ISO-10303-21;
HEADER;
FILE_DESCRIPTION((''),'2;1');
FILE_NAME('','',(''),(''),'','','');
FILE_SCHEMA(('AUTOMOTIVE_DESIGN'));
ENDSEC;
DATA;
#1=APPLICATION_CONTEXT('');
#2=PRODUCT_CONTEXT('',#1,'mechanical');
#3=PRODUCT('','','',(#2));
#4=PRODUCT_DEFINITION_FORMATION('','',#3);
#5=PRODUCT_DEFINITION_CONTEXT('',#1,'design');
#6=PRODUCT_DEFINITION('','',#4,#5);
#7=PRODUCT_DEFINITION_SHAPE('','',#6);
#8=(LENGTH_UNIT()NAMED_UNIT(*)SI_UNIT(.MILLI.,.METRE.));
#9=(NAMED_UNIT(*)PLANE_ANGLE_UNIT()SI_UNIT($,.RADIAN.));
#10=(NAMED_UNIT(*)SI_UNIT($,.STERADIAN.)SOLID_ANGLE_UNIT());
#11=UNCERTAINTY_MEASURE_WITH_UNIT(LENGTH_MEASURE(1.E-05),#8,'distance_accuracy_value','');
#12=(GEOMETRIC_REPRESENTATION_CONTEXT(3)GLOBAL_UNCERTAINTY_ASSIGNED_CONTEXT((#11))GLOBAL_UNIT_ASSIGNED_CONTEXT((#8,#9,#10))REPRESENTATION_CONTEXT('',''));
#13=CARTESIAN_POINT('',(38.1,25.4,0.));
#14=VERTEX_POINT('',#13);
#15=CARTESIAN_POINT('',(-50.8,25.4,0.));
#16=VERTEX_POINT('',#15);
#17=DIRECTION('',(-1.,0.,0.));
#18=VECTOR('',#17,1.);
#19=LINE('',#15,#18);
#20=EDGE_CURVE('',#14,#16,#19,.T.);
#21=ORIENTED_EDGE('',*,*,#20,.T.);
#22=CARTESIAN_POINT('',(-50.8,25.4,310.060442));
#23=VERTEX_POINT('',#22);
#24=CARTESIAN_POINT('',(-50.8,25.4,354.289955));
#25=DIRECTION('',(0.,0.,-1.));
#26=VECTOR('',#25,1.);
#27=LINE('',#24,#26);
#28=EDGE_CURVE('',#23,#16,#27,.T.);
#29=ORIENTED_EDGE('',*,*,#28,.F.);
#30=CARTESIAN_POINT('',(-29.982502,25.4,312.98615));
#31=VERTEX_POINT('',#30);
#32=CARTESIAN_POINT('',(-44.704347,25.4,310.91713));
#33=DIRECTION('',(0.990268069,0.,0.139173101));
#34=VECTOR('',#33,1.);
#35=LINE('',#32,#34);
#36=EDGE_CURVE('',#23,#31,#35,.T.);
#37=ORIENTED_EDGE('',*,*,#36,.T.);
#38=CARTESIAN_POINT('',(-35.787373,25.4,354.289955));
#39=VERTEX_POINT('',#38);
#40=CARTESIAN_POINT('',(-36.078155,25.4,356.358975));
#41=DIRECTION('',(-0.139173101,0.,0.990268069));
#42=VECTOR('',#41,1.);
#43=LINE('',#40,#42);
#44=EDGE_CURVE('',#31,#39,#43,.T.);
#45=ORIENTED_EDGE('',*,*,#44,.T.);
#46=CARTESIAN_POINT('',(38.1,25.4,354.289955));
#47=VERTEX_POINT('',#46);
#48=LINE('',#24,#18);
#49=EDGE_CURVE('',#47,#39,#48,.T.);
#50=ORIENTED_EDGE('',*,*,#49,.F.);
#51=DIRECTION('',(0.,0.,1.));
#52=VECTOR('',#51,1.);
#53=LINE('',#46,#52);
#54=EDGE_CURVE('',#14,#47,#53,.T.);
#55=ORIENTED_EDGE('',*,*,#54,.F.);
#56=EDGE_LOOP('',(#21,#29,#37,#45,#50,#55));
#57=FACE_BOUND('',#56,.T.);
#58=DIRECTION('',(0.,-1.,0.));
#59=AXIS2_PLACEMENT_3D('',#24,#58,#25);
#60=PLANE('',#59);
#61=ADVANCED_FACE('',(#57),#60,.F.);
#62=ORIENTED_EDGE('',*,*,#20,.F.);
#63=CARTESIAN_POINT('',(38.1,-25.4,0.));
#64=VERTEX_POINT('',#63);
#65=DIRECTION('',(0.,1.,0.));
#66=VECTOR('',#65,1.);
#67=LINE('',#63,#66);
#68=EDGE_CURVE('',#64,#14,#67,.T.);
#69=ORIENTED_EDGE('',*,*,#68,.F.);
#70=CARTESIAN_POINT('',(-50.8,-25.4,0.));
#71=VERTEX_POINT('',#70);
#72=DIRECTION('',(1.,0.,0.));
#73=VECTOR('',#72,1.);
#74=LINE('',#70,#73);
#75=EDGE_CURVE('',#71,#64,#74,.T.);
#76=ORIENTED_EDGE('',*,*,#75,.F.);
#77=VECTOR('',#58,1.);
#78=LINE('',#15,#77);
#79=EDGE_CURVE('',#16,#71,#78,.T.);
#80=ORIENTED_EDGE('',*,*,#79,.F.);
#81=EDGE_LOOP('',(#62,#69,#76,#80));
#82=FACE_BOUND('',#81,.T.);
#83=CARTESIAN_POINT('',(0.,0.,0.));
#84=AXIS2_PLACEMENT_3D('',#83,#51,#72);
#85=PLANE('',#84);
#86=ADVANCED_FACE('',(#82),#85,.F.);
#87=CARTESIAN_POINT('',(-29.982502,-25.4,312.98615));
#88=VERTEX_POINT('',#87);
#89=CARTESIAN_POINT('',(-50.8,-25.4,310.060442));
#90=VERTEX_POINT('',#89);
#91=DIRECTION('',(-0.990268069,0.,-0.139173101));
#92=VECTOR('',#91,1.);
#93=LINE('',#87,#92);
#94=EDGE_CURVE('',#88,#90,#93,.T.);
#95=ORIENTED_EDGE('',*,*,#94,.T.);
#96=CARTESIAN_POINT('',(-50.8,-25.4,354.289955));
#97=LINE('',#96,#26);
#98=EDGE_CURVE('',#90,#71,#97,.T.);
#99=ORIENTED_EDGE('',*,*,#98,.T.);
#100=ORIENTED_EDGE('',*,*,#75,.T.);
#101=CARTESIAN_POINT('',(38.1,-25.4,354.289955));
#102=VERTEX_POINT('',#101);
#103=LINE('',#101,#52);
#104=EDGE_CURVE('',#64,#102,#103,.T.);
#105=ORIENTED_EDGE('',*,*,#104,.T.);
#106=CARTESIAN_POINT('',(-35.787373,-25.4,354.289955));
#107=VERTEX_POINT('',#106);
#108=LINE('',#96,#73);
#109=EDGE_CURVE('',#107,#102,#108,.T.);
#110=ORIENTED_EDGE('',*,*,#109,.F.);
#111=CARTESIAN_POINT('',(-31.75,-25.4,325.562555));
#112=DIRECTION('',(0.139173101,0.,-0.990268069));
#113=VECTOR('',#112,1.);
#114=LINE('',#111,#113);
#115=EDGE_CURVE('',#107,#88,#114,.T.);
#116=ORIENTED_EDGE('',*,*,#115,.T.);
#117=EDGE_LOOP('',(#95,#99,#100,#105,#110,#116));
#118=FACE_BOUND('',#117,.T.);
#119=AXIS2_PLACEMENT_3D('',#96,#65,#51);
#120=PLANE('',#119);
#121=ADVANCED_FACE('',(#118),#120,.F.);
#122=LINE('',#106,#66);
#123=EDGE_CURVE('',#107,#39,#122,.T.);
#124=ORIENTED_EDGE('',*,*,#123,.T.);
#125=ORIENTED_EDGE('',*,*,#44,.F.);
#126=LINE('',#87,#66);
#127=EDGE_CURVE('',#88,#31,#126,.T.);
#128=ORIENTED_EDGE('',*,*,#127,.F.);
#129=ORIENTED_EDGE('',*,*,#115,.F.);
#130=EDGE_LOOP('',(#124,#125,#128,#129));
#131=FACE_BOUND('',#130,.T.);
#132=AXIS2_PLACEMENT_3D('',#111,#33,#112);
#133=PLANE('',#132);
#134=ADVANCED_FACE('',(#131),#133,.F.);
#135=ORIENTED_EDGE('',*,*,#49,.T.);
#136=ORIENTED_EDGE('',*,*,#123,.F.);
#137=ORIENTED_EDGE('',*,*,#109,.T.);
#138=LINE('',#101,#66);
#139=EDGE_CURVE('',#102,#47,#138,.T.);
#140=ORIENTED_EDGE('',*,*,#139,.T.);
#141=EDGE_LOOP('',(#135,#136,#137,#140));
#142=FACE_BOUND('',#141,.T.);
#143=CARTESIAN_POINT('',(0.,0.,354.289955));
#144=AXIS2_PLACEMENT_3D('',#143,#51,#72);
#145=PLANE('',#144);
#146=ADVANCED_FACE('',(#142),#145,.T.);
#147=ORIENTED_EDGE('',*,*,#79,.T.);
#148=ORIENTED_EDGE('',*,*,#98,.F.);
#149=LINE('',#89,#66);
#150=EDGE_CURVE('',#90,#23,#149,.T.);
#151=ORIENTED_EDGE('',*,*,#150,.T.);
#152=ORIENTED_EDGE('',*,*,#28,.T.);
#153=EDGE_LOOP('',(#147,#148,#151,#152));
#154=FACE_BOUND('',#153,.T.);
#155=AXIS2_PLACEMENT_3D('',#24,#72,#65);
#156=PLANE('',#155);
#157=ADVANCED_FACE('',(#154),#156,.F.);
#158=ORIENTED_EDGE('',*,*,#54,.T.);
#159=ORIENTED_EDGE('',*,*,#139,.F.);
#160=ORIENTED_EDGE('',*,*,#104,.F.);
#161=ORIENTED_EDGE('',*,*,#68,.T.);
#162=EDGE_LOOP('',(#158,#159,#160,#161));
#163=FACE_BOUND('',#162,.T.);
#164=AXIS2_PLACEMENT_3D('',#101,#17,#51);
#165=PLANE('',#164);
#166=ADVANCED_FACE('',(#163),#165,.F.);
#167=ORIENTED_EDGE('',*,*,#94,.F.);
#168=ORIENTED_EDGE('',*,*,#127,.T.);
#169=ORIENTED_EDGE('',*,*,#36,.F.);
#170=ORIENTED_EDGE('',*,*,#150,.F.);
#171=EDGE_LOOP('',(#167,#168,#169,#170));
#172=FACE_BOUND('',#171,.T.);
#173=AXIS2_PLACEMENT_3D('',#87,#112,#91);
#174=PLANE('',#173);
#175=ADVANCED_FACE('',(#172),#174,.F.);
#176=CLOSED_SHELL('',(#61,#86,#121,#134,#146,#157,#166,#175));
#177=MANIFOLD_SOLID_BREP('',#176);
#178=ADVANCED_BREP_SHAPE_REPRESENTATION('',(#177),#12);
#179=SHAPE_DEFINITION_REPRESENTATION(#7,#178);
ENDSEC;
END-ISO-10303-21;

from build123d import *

# Parameters (mm, degrees)
SKETCH1_W               = 101.6
SKETCH1_H               = 50.8
BOSS_EXTRUDE1_DEPTH     = 354.289954614
CUT_EXTRUDE1_DEPTH      = 362.500555934
CUT_EXTRUDE1_DEPTH_BACK = 362.500555934
CUT_EXTRUDE2_DEPTH      = 362.500555934
CUT_EXTRUDE2_DEPTH_BACK = 362.500555934
SKETCH3_W               = 12.7
SKETCH3_H               = 354.289954614


with BuildPart() as part:
    # Sketch1 → Boss-Extrude1 (new body)
    with BuildSketch(Plane.XY):
        Rectangle(SKETCH1_W, SKETCH1_H)
    extrude(amount=BOSS_EXTRUDE1_DEPTH)

    # Sketch2 → Cut-Extrude1 (cut, two sides: drawn at the far end of the back side and taken through both)
    with BuildSketch(Plane(origin=(0, 25.4, 0), x_dir=(1, 0, 0), z_dir=(0, 1, 0)).offset(-CUT_EXTRUDE1_DEPTH_BACK)):
        Polygon((-50.8, -322.885251713), (-50.8, -310.060441542), (-29.982501618, -312.986150141), (-31.75, -325.562554614), (-35.787372775, -354.289954614), (-50.8, -354.289954614), align=None)
    extrude(amount=CUT_EXTRUDE1_DEPTH + CUT_EXTRUDE1_DEPTH_BACK, mode=Mode.SUBTRACT)

    # Sketch3 → Cut-Extrude2 (cut, two sides: drawn at the far end of the back side and taken through both)
    with BuildSketch(Plane(origin=(0, 25.4, 0), x_dir=(1, 0, 0), z_dir=(0, 1, 0)).offset(-CUT_EXTRUDE2_DEPTH_BACK)):
        with Locations((44.45, -177.144977307)):
            Rectangle(SKETCH3_W, SKETCH3_H)
    extrude(amount=CUT_EXTRUDE2_DEPTH + CUT_EXTRUDE2_DEPTH_BACK, mode=Mode.SUBTRACT)


solid = part.part
